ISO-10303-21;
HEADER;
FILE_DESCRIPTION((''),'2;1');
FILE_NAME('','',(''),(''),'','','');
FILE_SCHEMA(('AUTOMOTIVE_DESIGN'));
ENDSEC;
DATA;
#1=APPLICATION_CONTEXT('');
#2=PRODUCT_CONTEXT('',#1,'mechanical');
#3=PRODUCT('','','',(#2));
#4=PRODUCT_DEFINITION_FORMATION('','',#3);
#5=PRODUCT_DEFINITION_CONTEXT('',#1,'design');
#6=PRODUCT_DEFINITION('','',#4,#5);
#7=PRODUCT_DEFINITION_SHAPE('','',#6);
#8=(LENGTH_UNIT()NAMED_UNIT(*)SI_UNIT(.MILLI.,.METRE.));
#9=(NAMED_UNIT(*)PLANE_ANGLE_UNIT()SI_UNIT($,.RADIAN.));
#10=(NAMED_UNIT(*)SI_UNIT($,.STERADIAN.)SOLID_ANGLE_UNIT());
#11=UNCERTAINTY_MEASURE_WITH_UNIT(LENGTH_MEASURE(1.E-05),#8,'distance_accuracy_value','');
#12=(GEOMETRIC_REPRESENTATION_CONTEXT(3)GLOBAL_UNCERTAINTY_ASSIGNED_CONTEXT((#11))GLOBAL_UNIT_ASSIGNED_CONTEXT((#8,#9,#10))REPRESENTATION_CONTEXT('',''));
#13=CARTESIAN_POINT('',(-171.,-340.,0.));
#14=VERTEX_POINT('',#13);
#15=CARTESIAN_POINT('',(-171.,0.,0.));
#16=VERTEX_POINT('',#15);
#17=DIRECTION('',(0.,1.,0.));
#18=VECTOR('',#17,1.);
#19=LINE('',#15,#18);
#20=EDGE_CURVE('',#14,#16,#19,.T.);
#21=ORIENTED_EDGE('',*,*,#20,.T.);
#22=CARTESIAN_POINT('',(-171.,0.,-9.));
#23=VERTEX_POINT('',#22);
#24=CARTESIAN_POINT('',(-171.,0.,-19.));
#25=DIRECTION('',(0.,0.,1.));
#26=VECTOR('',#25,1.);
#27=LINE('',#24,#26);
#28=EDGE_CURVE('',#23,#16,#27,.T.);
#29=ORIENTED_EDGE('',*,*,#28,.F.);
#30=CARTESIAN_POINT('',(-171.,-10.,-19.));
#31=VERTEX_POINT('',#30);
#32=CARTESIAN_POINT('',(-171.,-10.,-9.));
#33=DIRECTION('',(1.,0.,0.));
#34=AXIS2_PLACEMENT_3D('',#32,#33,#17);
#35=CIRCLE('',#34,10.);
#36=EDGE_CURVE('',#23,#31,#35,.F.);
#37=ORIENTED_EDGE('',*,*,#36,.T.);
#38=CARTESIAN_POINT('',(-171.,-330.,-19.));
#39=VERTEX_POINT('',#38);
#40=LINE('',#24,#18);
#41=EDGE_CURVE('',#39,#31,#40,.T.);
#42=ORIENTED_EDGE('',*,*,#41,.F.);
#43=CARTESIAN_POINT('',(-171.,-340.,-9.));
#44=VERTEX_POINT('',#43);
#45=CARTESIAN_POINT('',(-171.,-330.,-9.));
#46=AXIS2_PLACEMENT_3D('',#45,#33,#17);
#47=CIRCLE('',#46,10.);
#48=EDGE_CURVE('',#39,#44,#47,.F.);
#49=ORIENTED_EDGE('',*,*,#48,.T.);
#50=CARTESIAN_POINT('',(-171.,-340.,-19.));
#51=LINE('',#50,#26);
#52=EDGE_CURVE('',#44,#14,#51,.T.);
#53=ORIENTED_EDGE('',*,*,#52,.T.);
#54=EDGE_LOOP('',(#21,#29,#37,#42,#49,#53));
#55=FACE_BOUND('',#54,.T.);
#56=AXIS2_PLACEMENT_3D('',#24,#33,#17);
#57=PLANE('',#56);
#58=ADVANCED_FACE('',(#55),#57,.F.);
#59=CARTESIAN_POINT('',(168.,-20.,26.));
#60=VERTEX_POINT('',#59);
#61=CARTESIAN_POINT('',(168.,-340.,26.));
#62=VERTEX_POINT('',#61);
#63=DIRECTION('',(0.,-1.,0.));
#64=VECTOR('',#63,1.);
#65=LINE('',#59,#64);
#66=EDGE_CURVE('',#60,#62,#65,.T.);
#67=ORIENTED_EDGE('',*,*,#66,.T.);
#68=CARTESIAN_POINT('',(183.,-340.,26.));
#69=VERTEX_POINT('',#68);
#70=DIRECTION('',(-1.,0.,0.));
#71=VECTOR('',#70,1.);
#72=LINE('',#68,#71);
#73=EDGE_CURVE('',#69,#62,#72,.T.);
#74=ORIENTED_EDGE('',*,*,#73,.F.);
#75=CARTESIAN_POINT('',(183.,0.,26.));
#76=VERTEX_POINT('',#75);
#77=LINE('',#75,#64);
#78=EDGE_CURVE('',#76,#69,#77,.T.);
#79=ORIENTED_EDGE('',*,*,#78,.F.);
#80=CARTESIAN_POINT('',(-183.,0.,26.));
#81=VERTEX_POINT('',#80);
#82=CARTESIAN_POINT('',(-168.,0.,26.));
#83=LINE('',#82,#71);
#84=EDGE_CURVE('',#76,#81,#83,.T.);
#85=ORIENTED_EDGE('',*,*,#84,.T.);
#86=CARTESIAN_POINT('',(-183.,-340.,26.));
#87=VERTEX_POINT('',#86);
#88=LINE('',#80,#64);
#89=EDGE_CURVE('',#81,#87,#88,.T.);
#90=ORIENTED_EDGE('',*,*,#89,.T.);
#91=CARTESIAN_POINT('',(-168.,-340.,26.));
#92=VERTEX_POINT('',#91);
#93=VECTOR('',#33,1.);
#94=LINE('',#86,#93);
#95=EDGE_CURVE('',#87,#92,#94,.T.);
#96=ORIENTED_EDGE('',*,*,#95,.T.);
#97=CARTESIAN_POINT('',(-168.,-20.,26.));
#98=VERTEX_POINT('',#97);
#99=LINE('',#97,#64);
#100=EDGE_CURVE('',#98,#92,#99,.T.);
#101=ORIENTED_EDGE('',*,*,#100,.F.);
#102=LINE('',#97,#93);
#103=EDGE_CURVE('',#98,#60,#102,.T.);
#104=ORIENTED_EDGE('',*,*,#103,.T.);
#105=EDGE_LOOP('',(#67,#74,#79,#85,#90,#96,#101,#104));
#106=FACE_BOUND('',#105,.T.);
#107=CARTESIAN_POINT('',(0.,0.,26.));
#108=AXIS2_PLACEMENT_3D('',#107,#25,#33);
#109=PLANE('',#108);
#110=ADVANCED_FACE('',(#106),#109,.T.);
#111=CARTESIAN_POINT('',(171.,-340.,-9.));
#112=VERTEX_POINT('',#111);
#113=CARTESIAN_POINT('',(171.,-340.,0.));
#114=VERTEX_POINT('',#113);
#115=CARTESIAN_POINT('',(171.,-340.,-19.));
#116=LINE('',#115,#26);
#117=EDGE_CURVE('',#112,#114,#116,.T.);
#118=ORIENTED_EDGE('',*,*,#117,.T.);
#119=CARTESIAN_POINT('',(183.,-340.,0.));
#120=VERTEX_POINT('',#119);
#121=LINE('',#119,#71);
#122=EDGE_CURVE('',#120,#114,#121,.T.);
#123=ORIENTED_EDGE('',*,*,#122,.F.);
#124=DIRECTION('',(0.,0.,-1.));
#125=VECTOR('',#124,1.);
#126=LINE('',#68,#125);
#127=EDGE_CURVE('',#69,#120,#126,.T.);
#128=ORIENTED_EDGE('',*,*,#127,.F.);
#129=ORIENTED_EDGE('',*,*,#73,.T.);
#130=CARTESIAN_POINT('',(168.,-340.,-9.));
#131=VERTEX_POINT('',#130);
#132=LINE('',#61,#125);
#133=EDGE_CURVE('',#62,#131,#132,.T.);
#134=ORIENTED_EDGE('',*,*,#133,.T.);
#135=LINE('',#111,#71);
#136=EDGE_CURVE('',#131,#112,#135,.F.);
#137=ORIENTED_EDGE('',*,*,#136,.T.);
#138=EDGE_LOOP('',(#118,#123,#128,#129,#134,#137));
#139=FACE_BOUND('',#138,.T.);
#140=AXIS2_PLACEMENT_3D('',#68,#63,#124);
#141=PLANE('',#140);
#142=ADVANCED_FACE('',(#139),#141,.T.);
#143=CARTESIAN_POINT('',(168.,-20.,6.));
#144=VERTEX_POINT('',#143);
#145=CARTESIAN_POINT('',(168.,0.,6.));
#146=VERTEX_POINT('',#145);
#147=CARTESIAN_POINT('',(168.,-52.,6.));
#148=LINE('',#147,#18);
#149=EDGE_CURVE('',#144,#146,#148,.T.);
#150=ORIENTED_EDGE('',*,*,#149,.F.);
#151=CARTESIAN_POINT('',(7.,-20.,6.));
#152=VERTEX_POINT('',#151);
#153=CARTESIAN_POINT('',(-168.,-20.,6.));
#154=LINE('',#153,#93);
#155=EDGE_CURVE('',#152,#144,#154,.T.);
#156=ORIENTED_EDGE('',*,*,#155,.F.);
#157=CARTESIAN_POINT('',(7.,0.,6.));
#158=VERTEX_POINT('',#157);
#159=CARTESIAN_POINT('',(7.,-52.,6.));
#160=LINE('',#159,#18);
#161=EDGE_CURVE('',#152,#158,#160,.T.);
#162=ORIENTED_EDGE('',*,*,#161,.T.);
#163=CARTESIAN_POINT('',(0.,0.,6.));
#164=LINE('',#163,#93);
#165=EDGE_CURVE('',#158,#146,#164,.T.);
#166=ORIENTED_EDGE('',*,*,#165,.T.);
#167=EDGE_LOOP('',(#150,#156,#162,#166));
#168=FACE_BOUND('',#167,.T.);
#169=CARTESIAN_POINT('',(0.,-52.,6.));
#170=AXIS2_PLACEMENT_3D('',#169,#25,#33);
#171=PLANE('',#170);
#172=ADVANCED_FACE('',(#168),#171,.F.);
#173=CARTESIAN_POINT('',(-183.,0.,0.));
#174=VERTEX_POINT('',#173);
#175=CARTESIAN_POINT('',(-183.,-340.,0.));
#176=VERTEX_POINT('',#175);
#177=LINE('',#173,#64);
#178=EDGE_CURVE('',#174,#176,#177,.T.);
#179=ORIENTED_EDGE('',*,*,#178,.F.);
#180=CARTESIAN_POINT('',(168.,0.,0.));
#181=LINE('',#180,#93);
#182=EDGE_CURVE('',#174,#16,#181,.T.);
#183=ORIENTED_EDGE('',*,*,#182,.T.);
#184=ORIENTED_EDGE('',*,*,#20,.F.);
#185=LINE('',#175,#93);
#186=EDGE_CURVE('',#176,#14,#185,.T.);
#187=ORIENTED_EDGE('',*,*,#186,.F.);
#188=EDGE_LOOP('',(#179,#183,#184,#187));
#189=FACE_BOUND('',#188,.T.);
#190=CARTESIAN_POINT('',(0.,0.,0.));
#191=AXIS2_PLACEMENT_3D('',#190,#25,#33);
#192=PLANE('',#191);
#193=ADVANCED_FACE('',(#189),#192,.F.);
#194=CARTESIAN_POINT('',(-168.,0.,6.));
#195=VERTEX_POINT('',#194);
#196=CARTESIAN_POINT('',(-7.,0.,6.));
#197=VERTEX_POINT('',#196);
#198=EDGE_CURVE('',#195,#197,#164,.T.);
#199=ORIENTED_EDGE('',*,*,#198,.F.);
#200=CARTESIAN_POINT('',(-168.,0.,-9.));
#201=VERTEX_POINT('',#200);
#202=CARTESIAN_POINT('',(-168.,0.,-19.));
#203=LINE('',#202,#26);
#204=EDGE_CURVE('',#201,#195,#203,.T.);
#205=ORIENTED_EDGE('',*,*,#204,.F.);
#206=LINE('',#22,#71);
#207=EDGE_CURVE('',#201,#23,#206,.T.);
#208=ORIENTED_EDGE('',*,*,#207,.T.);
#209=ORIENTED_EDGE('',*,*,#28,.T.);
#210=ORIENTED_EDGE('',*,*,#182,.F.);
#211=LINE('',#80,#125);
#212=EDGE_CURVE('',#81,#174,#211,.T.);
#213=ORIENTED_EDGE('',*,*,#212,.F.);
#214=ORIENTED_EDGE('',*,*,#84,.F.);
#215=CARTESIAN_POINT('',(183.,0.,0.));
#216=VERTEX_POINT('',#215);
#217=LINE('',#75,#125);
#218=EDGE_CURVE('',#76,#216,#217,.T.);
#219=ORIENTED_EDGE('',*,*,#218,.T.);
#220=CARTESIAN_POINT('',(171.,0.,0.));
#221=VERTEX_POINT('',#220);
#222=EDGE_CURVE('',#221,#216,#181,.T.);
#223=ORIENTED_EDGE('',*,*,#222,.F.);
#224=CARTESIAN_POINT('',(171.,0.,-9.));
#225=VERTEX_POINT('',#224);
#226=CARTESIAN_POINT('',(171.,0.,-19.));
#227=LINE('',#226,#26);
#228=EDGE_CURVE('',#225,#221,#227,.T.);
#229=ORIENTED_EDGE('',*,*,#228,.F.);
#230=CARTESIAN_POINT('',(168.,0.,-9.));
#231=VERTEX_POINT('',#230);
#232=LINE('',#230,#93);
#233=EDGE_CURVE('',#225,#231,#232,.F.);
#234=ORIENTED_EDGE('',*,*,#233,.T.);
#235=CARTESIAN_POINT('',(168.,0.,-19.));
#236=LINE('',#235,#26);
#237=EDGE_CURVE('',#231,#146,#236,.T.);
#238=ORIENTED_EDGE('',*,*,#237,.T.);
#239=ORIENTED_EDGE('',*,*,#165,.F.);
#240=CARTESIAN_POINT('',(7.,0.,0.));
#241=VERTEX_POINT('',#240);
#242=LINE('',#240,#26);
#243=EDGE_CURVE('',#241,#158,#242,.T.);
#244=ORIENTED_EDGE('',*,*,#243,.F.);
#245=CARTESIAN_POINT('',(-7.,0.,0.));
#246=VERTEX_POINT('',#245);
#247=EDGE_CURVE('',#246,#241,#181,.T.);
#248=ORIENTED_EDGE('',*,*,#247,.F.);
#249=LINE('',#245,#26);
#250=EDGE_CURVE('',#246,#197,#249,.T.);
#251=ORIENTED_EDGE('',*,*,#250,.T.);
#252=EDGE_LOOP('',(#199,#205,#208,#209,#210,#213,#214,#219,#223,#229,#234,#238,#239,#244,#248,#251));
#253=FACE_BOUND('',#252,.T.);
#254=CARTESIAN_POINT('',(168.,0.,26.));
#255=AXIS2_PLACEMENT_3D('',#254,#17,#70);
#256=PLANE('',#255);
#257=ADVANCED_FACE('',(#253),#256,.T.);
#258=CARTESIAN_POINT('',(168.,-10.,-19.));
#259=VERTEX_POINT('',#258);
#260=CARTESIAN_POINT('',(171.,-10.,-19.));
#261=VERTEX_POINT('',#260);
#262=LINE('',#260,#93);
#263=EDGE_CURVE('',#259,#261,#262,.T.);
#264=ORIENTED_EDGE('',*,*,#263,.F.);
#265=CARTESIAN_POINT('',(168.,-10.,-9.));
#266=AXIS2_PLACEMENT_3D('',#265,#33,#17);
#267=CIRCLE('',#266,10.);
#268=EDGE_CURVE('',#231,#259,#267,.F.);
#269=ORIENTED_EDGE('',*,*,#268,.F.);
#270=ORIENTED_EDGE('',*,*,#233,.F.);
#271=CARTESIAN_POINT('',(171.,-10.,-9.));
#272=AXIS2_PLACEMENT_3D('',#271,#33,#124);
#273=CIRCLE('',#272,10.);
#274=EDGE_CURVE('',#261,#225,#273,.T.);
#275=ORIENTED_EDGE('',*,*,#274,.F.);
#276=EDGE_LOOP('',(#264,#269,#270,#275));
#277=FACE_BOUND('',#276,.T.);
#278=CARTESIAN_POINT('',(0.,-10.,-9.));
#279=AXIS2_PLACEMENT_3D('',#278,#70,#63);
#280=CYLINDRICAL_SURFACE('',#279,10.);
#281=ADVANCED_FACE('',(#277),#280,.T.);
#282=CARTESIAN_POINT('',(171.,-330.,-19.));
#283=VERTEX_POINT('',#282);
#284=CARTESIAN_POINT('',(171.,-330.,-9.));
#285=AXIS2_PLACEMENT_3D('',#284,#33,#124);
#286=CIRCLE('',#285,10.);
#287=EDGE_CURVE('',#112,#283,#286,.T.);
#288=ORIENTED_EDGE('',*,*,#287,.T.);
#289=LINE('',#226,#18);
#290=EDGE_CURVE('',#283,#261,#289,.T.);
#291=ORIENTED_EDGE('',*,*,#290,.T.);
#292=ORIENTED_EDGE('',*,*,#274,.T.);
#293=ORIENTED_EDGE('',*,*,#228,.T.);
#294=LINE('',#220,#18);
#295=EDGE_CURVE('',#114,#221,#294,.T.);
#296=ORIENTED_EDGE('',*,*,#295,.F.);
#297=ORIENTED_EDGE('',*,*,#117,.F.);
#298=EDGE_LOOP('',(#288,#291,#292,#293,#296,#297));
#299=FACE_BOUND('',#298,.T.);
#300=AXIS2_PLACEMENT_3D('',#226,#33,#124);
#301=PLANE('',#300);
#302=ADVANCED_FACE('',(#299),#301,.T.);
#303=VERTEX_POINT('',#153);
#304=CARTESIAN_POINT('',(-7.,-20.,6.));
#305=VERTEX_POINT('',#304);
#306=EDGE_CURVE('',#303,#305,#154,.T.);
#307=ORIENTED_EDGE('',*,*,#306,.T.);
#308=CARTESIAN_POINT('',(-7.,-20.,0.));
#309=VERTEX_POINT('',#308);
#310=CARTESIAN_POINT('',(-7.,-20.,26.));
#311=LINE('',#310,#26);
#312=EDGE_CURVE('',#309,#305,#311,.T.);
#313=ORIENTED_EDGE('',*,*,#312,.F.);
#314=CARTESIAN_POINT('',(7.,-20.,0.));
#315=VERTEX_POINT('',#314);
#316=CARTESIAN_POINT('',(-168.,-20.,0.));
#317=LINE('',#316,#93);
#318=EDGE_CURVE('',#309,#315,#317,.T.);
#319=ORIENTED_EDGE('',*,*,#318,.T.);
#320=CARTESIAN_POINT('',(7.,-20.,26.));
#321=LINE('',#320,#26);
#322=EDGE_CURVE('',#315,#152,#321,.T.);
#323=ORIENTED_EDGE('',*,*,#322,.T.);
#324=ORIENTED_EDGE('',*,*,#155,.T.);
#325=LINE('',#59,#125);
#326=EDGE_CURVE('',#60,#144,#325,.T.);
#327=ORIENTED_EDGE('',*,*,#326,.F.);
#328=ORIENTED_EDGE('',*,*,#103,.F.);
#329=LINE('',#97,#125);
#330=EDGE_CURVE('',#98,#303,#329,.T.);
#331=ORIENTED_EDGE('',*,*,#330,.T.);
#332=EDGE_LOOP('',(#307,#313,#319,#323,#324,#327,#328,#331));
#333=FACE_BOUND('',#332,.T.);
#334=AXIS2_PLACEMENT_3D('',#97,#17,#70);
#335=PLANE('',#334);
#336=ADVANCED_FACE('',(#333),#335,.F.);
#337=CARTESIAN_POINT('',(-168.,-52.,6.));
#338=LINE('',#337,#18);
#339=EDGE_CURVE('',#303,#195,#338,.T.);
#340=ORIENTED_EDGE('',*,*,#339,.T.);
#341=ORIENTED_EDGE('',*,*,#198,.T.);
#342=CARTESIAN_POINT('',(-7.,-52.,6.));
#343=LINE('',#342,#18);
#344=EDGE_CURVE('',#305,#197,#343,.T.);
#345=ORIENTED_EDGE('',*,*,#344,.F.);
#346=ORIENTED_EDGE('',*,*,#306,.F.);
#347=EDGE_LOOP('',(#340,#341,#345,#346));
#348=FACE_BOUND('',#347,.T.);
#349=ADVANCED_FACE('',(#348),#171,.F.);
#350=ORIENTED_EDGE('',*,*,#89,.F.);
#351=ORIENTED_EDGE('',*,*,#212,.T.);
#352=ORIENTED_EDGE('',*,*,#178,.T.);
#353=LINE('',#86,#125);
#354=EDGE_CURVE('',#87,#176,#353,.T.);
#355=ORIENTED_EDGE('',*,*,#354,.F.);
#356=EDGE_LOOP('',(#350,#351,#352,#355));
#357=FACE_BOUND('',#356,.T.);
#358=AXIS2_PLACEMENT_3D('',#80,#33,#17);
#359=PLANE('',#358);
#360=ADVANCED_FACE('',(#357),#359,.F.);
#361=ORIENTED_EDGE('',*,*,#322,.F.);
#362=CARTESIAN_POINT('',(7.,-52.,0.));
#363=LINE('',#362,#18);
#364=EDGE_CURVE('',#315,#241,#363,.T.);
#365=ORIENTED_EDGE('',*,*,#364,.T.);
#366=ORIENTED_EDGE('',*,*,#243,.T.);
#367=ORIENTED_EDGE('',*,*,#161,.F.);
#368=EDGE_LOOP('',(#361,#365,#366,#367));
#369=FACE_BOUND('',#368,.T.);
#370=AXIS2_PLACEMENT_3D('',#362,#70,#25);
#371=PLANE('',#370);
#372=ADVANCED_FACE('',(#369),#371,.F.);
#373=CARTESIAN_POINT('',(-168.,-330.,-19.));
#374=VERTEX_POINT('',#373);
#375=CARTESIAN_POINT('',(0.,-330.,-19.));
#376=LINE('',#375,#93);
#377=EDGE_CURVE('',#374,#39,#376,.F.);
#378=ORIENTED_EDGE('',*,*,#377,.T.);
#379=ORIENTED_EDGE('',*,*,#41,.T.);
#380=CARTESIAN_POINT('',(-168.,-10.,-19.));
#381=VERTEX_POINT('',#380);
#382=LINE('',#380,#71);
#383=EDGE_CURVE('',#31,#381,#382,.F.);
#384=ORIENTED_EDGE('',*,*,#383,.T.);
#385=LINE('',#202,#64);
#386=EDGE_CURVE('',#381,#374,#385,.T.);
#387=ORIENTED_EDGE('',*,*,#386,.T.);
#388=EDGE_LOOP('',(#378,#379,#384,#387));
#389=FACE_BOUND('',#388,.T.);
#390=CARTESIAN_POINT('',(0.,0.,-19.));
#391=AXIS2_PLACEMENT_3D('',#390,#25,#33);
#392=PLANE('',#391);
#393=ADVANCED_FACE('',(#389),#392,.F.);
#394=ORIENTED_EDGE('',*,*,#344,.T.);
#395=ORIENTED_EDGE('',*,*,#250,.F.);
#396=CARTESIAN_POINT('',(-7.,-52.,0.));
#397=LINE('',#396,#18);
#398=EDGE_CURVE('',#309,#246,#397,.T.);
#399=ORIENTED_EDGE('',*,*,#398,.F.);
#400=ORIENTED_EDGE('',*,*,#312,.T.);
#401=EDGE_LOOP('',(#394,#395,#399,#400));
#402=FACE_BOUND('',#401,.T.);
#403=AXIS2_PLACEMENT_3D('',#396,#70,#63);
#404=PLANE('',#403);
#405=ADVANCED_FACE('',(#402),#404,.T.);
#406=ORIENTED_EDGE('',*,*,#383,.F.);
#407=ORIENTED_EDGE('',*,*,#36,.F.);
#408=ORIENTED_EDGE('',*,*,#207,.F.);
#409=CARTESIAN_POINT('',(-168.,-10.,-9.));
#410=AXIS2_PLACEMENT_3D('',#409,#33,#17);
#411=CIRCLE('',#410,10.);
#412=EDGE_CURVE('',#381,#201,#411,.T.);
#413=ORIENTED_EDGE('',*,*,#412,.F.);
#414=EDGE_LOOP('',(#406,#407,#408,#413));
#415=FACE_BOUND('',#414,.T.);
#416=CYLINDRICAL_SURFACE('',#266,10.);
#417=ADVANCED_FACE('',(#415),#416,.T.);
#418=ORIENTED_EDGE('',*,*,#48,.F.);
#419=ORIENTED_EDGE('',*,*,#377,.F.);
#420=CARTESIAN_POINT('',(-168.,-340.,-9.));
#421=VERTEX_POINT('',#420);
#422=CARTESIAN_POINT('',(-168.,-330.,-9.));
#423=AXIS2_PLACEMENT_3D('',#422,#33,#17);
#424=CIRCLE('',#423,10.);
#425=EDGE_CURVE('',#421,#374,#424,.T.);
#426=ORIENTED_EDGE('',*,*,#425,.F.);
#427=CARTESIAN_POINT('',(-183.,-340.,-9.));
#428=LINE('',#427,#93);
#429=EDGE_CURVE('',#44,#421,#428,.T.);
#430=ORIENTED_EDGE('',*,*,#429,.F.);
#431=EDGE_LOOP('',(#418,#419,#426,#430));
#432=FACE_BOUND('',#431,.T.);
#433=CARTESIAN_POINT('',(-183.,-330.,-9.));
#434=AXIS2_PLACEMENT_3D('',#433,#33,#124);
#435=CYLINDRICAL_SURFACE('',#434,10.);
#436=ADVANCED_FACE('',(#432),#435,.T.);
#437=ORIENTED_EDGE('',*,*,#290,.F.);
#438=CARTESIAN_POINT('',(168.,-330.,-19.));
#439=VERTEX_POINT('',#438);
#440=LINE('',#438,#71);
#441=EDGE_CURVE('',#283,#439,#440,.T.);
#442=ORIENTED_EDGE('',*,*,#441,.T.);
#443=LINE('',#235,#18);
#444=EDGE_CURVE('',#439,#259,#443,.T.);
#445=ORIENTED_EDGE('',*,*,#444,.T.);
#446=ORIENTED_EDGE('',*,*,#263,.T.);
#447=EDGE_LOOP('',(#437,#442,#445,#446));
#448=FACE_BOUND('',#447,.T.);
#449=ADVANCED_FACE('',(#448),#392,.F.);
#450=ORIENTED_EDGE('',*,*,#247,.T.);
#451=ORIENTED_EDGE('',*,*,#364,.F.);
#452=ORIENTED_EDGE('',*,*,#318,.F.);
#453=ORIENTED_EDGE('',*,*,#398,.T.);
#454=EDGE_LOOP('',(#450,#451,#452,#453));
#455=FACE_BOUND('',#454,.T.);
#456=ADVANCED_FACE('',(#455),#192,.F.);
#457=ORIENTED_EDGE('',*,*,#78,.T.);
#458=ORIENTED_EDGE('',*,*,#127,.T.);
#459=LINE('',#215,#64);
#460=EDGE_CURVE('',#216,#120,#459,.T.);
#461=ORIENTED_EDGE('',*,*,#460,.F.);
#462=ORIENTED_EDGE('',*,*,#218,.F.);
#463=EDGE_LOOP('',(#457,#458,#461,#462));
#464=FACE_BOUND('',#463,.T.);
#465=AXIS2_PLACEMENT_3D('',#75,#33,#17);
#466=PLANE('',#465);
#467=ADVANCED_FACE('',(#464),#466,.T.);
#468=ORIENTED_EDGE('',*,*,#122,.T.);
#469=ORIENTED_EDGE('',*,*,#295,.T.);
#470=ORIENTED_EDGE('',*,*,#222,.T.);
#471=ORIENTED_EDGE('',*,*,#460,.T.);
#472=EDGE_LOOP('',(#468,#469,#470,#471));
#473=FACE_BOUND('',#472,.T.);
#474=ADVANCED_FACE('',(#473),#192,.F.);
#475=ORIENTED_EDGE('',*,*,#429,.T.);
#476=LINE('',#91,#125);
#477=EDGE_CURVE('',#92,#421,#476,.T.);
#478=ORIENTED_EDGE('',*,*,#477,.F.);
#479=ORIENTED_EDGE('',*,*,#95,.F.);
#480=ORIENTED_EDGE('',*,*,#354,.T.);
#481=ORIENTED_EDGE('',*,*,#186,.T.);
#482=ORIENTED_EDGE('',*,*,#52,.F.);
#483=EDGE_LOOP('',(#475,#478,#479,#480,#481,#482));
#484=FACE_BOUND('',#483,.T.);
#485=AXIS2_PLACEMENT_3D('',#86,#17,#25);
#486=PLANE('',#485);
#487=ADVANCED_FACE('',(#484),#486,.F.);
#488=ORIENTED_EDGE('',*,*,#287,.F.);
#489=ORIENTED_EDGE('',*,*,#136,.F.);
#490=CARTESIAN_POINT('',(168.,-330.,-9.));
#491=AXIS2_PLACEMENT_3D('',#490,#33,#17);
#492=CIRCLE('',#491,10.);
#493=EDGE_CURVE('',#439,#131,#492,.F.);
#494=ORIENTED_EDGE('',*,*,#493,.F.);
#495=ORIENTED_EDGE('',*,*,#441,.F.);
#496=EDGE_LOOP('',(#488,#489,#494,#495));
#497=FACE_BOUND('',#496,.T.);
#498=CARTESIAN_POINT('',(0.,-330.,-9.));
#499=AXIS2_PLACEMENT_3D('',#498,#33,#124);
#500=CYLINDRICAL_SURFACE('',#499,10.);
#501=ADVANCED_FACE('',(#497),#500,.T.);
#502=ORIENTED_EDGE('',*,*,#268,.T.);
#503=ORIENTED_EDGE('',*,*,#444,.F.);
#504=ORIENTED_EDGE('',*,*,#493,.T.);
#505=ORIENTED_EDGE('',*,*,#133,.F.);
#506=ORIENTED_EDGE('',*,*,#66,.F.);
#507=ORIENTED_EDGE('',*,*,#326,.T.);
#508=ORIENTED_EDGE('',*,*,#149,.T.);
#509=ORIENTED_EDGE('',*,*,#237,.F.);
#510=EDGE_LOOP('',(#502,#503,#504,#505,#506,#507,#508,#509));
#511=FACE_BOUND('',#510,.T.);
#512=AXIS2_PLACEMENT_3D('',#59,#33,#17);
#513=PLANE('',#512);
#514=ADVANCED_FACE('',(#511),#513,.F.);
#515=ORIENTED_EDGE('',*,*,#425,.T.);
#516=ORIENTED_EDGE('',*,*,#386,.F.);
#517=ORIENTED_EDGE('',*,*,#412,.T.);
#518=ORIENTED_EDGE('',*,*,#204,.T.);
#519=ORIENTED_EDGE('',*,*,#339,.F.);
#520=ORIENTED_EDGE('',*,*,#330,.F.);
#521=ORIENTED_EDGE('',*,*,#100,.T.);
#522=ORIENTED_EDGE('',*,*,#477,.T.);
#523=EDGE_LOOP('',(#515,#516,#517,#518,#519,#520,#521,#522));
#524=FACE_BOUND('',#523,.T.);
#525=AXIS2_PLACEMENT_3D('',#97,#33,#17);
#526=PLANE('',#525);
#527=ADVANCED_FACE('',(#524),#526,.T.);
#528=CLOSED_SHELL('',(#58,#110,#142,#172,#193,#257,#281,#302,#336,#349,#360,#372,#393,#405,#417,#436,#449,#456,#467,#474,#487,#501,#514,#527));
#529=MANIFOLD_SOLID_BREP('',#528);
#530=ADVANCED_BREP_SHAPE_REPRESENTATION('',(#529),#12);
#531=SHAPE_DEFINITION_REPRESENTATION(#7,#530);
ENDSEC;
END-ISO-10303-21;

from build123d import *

# Parameters (mm, degrees)
EXTRUDE_1_DEPTH     = 26
SKETCH_1_4_W        = 3
SKETCH_1_4_H        = 340
EXTRUDE_2_DEPTH     = 19
FILLET_1_R          = 10
SKETCH_5_W          = 161
SKETCH_5_H          = 6
CUT_EXTRUDE_1_DEPTH = 52


with BuildPart() as part:
    # 스케치1 → 보스-돌출1 (new body)
    with BuildSketch(Plane.XY):
        Polygon((-168, 0), (168, 0), (183, 0), (183, -340), (168, -340), (168, -20), (-168, -20), (-168, -340), (-183, -340), (-183, 0), align=None)
    extrude(amount=EXTRUDE_1_DEPTH)

    # 스케치1<4> → 보스-돌출2 (add)
    with BuildSketch(Plane.XY):
        with Locations((-169.5, -170)):
            Rectangle(SKETCH_1_4_W, SKETCH_1_4_H)
        with Locations((169.5, -170)):
            Rectangle(SKETCH_1_4_W, SKETCH_1_4_H)
    extrude(amount=-EXTRUDE_2_DEPTH)

    # 필렛1
    fillet_1_edges = [part.edges().sort_by_distance(p)[0] for p in [
        (-169.5, 0, -19),
        (169.5, 0, -19),
        (169.5, -340, -19),
        (-169.5, -340, -19),
    ]]
    fillet(fillet_1_edges, radius=FILLET_1_R)

    # 스케치5 → 컷-돌출1 (cut)
    with BuildSketch(Plane(origin=(0, 0, 0), x_dir=(1, 0, 0), z_dir=(0, 1, 0))):
        with Locations((-87.5, -3)):
            Rectangle(SKETCH_5_W, SKETCH_5_H)
        with Locations((87.5, -3)):
            Rectangle(SKETCH_5_W, SKETCH_5_H)
    extrude(amount=-CUT_EXTRUDE_1_DEPTH, mode=Mode.SUBTRACT)


solid = part.part
